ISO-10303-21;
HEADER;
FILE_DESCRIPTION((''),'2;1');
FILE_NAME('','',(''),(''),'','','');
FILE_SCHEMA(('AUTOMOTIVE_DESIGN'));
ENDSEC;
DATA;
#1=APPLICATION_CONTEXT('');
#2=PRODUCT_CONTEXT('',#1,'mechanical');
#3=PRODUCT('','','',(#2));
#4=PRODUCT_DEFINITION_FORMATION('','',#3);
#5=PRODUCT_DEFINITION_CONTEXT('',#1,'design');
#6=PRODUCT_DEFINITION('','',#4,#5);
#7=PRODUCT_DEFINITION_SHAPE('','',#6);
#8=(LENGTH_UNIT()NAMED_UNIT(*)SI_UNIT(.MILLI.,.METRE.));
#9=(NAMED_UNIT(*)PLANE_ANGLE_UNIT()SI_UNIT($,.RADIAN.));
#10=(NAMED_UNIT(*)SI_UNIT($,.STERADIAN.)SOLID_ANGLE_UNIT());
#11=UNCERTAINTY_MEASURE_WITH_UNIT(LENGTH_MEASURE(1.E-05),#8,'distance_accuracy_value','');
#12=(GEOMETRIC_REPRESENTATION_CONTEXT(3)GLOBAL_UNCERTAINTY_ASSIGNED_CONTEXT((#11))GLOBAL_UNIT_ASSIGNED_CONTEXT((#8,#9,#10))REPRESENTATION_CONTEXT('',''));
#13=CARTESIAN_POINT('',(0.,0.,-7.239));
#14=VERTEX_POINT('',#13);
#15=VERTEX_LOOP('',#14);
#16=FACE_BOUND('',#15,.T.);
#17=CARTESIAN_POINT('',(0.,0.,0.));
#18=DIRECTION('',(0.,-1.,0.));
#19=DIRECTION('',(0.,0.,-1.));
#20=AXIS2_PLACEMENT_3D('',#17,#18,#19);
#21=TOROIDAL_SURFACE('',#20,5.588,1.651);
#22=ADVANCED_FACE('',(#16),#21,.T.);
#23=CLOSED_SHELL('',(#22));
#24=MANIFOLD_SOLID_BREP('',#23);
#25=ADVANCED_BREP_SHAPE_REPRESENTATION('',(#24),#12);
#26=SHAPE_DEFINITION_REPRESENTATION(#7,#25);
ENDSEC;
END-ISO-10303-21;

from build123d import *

# Parameters (mm, degrees)
SKETCH2_R = 1.651


with BuildPart() as part:
    # Sweep1: sweep along a path in Sketch1
    with BuildLine(Plane(origin=(0, 0, 0), x_dir=(1, 0, 0), z_dir=(0, 1, 0))) as sweep1_path:
        CenterArc((0, 0), 3.937, 0, 360)
    # Sketch2 → Sweep1 (sweep)
    with BuildSketch(Plane.XY):
        with Locations((-5.588, 0)):
            Circle(SKETCH2_R)
    sweep(path=sweep1_path.line)


solid = part.part
